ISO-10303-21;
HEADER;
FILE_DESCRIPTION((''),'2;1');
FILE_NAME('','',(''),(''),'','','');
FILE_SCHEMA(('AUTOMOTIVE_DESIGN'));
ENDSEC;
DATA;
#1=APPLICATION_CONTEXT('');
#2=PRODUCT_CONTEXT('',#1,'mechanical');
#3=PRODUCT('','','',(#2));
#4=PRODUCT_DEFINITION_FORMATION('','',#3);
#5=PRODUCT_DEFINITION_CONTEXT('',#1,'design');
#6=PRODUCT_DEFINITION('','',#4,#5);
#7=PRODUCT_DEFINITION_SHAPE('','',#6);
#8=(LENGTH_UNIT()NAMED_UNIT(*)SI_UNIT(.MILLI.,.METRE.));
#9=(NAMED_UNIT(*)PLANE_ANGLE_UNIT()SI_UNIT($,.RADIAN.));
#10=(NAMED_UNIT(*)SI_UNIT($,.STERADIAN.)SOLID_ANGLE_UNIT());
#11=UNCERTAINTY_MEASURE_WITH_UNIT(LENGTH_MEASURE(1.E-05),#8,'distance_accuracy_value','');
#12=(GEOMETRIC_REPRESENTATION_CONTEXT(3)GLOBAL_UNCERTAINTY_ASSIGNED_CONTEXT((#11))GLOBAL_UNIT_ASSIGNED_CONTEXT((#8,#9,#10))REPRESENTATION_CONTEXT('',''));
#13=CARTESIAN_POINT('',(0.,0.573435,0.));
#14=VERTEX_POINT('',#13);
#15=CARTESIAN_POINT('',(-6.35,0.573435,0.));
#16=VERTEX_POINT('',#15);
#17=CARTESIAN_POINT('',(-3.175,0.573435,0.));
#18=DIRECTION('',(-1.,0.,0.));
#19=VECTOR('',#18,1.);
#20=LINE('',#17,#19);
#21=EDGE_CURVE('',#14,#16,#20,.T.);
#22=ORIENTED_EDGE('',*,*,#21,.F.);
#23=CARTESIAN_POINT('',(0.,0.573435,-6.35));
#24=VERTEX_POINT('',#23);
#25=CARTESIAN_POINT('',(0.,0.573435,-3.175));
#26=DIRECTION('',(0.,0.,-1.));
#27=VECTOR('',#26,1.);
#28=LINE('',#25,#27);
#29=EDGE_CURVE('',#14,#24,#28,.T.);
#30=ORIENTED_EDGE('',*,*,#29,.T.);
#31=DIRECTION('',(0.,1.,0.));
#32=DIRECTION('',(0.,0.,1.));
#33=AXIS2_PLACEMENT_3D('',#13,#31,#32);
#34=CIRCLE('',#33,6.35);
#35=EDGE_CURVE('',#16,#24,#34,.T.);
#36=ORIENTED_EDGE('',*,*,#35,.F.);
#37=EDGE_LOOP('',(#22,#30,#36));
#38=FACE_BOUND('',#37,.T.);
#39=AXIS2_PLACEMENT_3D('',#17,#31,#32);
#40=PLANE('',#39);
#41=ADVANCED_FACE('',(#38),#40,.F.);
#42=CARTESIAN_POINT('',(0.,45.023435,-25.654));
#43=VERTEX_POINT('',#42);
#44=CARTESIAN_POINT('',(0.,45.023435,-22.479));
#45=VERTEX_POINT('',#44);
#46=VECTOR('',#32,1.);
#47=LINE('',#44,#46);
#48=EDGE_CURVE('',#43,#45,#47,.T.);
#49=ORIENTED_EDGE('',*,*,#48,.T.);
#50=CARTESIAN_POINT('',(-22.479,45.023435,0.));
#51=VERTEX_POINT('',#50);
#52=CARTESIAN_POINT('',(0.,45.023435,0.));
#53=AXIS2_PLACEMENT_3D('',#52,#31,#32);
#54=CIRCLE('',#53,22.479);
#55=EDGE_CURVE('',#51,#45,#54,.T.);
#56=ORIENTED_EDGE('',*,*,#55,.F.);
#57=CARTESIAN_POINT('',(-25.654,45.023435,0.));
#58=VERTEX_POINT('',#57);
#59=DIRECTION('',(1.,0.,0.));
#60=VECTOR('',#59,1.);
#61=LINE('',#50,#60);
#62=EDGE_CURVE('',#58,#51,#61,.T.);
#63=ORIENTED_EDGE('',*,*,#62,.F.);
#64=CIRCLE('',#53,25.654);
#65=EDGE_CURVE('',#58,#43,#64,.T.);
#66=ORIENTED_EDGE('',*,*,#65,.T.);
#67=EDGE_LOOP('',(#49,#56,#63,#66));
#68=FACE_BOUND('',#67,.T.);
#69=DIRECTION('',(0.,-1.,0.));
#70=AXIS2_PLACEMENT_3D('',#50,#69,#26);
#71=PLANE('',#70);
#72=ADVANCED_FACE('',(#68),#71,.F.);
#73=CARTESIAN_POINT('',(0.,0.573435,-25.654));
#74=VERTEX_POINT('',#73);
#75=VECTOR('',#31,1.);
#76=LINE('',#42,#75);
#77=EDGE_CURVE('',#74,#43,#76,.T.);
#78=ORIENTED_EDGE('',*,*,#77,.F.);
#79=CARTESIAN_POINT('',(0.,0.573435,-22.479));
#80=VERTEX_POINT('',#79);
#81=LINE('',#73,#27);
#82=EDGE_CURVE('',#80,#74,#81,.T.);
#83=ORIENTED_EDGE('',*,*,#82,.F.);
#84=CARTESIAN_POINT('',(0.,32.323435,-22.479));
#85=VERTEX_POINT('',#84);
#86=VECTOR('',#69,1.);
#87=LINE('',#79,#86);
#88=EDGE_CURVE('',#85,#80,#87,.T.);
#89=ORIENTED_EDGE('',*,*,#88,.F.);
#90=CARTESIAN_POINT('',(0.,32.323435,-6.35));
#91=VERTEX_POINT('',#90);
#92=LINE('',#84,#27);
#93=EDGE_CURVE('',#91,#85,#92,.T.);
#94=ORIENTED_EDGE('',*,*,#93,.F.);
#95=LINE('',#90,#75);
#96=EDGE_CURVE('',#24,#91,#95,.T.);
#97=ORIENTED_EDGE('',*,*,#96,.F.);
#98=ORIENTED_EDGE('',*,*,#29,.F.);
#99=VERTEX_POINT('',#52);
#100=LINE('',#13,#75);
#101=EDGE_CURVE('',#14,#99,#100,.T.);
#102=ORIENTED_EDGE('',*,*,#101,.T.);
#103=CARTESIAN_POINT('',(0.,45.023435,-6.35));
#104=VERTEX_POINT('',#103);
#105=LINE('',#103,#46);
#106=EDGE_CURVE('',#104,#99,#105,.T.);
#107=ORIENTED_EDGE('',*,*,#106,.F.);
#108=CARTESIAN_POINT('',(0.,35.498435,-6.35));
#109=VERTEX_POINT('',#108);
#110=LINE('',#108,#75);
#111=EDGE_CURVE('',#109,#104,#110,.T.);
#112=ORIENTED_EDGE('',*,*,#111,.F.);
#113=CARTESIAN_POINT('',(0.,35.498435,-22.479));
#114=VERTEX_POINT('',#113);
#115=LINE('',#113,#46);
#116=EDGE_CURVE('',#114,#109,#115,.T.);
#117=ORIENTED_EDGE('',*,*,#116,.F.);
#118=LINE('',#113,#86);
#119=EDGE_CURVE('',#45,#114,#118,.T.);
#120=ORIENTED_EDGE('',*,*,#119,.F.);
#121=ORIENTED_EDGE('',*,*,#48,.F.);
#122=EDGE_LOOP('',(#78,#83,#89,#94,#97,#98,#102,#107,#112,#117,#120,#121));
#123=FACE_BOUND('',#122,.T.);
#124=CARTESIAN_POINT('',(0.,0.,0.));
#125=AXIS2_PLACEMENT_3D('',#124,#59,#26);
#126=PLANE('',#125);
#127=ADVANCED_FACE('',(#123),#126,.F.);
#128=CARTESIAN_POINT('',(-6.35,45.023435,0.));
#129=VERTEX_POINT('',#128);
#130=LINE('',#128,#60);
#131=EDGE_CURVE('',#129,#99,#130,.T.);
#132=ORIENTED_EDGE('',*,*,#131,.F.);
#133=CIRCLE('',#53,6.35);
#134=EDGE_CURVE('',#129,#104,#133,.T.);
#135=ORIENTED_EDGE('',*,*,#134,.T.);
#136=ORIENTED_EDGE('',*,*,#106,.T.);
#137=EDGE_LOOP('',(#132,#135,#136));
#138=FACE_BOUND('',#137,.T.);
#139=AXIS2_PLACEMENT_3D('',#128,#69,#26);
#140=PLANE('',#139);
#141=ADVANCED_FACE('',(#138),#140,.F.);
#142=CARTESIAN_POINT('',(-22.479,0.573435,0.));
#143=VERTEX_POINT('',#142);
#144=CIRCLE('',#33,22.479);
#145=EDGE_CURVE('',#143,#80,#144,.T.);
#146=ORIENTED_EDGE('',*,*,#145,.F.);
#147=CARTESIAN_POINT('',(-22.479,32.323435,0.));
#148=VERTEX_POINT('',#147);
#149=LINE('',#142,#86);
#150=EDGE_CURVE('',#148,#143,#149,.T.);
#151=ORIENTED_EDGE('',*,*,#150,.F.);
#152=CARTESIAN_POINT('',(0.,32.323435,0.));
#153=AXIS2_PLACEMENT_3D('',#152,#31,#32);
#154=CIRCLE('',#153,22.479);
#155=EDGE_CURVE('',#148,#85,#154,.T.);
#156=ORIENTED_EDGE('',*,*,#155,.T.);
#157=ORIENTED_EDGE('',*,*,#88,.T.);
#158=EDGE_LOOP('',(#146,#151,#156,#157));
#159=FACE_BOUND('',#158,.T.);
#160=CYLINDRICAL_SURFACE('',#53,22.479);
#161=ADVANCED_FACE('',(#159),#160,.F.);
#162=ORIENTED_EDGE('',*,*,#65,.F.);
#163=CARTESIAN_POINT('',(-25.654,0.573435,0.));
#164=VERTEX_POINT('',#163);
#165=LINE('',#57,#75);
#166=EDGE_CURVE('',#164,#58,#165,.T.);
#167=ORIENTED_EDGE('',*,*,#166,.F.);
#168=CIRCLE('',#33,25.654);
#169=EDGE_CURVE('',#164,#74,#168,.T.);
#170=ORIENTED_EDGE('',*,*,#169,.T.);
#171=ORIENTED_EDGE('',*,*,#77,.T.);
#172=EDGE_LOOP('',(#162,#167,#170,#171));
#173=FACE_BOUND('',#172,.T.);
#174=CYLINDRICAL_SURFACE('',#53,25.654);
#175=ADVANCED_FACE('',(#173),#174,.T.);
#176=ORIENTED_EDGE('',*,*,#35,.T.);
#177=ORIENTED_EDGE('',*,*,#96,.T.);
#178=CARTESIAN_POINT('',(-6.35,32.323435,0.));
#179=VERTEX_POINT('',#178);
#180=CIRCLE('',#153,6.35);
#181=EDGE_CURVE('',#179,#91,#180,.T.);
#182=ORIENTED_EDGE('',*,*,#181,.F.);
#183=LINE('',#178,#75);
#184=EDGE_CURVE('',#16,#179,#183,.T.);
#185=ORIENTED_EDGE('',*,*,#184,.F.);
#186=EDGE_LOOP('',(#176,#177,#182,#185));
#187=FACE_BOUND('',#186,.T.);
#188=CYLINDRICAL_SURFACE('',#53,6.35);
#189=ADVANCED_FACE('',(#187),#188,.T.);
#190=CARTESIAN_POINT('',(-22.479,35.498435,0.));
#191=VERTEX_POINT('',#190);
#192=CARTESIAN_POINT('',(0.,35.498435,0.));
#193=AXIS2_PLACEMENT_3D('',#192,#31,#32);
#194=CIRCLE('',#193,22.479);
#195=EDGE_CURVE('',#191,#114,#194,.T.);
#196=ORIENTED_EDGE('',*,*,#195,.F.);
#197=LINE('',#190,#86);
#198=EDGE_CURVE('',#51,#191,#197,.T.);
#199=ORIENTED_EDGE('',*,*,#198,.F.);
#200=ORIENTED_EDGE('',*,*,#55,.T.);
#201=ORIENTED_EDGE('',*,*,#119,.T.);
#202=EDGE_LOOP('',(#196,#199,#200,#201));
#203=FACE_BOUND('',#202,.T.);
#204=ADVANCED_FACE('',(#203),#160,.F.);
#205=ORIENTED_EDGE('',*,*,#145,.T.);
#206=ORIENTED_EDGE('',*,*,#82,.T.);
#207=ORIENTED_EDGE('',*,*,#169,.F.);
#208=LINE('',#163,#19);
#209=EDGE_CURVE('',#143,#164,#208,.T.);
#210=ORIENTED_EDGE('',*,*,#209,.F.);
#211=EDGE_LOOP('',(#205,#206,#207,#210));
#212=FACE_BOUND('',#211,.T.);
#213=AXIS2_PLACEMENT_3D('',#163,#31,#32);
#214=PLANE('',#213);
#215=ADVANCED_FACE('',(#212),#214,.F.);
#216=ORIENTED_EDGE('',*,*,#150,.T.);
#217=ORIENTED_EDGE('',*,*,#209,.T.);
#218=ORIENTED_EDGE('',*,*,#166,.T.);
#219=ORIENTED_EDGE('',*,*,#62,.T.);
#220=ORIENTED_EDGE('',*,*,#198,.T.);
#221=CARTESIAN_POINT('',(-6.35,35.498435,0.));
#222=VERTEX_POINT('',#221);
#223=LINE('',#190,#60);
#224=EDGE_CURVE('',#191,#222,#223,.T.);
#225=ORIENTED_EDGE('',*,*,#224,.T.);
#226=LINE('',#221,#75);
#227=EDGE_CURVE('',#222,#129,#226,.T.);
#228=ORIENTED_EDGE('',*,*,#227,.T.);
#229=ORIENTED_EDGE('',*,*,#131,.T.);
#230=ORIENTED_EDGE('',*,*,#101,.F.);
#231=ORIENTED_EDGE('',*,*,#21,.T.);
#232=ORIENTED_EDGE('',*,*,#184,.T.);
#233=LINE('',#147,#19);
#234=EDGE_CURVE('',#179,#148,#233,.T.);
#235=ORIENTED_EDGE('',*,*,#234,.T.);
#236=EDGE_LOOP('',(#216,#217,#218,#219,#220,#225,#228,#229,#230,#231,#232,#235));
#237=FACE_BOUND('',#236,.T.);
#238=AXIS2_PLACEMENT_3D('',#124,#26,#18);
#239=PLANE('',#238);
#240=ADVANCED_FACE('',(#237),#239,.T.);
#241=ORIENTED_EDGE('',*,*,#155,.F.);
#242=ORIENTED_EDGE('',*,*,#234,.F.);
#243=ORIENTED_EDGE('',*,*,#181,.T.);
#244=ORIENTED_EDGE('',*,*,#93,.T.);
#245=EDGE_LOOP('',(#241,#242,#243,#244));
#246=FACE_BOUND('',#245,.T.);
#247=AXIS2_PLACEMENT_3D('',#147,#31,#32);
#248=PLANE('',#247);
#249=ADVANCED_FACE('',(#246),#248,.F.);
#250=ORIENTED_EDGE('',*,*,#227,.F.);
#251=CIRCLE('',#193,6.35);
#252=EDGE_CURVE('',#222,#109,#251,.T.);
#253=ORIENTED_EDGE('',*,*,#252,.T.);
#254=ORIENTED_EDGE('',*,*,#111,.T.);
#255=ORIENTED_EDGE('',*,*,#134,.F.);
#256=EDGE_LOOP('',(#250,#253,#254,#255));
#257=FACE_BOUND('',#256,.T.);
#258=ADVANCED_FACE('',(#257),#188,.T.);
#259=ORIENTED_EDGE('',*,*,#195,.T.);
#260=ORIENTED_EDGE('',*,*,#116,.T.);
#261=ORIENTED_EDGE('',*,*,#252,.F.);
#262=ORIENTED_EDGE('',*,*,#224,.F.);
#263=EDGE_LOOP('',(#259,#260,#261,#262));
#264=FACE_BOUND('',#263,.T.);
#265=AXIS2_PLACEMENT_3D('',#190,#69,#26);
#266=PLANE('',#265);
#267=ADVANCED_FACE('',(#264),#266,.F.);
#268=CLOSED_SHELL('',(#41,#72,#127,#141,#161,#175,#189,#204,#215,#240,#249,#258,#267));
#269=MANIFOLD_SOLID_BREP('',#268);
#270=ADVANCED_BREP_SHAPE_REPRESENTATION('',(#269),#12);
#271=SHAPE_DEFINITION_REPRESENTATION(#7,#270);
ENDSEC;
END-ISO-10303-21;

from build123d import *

# Parameters (mm, degrees)
REVOLVE2_ANGLE      = 270
BOSS_EXTRUDE1_DEPTH = 44.45


with BuildPart() as part:
    # Sketch1 → Revolve2 (revolve)
    with BuildSketch(Plane(origin=(0, 0, 0), x_dir=(0, 0, -1), z_dir=(1, 0, 0))):
        Polygon((22.479, 35.498434974), (22.479, 45.023434974), (25.654, 45.023434974), (25.654, 0.573434974), (22.479, 0.573434974), (22.479, 32.323434974), (6.35, 32.323434974), (6.35, 0.573434974), (3.175, 0.573434974), (3.175, 45.023434974), (6.35, 45.023434974), (6.35, 35.498434974), align=None)
    revolve(axis=Axis((0, 45.023434974, 0), (0, -1, 0)), revolution_arc=REVOLVE2_ANGLE)

    # Sketch2 → Boss-Extrude1 (add, through all)
    with BuildSketch(Plane(origin=(0, 45.023434974, 0), x_dir=(1, 0, 0), z_dir=(0, 1, 0))):
        with BuildLine():
            Line((0, 6.35), (0, 3.175))
            Line((0, 3.175), (0, 0))
            Line((0, 0), (-3.175, 0))
            Line((-3.175, 0), (-6.35, 0))
            ThreePointArc((-6.35, 0), (4.490128061, -4.490128061), (0, 6.35))
        make_face()
    extrude(amount=-BOSS_EXTRUDE1_DEPTH)


solid = part.part
